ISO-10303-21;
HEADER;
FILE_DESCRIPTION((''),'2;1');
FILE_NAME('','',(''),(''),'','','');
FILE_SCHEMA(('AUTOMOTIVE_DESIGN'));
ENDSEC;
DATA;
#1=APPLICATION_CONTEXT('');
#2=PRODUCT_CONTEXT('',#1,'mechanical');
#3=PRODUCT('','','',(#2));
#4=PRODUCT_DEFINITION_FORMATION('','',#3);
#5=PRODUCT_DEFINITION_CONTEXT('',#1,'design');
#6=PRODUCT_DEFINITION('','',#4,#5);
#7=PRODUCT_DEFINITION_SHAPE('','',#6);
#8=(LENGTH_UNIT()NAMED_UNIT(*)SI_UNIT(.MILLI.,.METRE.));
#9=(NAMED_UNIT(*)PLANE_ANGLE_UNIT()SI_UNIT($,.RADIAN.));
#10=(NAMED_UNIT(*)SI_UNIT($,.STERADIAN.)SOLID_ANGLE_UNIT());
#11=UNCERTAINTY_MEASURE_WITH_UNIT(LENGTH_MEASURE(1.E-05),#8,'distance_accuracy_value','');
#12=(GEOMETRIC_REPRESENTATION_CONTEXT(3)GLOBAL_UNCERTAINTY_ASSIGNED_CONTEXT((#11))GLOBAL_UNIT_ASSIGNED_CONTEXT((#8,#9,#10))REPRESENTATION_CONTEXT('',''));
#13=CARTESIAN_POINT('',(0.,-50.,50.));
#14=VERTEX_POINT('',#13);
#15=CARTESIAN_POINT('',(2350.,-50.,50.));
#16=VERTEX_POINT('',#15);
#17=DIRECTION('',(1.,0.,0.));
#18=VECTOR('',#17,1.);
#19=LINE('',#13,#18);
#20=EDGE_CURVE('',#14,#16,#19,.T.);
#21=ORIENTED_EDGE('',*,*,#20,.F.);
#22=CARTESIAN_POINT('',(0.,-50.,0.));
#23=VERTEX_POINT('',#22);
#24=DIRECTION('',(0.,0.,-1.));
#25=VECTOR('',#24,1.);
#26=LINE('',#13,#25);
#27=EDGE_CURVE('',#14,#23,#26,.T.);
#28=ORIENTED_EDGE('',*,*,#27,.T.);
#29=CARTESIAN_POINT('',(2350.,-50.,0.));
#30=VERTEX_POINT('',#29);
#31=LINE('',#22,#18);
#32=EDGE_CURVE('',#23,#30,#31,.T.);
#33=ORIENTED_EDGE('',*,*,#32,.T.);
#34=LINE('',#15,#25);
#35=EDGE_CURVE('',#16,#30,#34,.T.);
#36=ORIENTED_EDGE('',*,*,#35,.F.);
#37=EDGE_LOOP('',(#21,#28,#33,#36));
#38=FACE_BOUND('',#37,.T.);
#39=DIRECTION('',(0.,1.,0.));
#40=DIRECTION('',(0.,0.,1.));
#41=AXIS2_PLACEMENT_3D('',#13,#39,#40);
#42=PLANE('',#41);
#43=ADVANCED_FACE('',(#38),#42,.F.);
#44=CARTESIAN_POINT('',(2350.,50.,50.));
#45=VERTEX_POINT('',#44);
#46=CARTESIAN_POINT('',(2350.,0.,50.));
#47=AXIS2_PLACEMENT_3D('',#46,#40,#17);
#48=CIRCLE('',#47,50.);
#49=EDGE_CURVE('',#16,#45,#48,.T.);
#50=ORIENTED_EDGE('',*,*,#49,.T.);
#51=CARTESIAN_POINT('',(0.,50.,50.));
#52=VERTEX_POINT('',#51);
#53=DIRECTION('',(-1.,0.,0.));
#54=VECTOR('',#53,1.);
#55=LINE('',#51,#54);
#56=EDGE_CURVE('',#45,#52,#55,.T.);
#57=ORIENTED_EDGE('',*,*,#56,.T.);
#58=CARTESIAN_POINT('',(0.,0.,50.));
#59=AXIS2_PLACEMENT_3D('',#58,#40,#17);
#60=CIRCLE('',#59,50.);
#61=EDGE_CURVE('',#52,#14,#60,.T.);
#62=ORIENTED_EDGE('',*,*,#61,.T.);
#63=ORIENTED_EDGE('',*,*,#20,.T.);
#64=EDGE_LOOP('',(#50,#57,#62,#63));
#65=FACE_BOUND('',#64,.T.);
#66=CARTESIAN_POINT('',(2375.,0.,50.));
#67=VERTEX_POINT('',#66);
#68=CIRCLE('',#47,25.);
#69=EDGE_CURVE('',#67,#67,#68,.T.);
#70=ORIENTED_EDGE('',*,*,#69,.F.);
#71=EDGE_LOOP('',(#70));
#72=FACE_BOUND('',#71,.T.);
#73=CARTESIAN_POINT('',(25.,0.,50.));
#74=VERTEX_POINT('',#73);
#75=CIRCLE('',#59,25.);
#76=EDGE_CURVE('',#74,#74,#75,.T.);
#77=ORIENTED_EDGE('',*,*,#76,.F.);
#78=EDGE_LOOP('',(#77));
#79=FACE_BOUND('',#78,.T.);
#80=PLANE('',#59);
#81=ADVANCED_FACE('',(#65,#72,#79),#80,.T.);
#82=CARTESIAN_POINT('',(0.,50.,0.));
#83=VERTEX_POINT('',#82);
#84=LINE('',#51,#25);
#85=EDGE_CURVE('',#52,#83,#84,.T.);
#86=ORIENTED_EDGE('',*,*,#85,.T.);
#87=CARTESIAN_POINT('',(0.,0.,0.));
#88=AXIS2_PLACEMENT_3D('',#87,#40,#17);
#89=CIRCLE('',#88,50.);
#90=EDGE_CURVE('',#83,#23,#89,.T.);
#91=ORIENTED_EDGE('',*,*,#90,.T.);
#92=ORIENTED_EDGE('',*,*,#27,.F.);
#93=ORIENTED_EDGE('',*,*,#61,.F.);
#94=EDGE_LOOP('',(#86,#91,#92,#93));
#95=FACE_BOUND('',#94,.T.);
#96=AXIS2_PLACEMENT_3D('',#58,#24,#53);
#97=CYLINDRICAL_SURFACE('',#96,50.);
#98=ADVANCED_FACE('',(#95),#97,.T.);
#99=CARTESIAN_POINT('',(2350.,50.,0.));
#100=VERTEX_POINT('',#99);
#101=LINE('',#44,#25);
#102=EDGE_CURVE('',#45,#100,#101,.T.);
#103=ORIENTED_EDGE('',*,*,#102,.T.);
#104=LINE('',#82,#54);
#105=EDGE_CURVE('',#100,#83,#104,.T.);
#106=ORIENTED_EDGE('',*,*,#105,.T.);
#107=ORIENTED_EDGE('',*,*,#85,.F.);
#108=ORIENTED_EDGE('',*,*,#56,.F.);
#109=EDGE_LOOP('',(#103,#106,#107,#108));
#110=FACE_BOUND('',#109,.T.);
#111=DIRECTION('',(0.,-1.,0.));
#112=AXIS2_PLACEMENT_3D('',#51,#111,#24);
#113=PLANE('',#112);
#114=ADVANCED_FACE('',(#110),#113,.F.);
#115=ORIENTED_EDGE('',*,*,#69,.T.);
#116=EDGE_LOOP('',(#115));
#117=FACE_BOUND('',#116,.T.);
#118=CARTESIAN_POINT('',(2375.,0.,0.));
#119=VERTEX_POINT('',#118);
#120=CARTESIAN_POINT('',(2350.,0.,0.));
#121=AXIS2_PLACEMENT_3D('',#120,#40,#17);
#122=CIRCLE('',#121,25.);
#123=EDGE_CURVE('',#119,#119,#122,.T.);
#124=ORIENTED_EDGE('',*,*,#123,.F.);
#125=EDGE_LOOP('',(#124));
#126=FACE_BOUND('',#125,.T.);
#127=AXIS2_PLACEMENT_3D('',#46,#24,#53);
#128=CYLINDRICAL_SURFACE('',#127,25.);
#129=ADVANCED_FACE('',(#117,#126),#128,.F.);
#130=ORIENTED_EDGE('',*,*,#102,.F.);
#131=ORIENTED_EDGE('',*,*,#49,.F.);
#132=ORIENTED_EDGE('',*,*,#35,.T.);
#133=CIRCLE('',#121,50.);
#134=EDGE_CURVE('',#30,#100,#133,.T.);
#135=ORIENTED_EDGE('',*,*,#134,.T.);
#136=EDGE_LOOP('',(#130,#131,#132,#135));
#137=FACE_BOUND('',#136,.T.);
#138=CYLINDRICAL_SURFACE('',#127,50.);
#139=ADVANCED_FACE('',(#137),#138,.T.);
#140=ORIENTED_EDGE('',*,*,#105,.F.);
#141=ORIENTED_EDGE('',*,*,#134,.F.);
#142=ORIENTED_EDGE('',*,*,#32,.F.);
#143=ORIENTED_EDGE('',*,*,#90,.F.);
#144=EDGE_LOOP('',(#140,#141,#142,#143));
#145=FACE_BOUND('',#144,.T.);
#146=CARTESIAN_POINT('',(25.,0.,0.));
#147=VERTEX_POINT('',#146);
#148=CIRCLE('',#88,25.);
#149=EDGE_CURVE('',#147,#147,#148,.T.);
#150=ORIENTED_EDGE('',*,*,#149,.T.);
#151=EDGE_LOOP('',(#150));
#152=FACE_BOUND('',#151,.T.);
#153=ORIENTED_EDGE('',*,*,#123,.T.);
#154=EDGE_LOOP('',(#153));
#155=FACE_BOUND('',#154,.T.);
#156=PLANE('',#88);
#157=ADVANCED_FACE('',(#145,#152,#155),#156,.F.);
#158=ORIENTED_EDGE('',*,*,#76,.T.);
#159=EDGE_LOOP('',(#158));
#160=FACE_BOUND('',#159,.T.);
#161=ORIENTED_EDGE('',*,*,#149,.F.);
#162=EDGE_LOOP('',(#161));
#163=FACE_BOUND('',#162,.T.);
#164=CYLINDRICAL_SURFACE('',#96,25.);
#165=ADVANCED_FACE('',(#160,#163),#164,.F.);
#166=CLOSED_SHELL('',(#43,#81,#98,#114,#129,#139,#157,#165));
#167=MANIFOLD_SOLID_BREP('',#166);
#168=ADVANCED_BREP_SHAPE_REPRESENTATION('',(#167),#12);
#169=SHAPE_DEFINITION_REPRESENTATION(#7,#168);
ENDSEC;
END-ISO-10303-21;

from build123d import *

# Parameters (mm, degrees)
SKETCH_1_R      = 25
EXTRUDE_1_DEPTH = 50


with BuildPart() as part:
    # 草图1 → 拉伸1 (new body)
    with BuildSketch(Plane.XY):
        with BuildLine():
            Line((0, 50), (2350, 50))
            ThreePointArc((2350, 50), (2400, 0), (2350, -50))
            Line((2350, -50), (0, -50))
            ThreePointArc((0, -50), (-50, 0), (0, 50))
        make_face()
        Circle(SKETCH_1_R, mode=Mode.SUBTRACT)
        with Locations((2350, 0)):
            Circle(SKETCH_1_R, mode=Mode.SUBTRACT)
    extrude(amount=EXTRUDE_1_DEPTH)


solid = part.part
